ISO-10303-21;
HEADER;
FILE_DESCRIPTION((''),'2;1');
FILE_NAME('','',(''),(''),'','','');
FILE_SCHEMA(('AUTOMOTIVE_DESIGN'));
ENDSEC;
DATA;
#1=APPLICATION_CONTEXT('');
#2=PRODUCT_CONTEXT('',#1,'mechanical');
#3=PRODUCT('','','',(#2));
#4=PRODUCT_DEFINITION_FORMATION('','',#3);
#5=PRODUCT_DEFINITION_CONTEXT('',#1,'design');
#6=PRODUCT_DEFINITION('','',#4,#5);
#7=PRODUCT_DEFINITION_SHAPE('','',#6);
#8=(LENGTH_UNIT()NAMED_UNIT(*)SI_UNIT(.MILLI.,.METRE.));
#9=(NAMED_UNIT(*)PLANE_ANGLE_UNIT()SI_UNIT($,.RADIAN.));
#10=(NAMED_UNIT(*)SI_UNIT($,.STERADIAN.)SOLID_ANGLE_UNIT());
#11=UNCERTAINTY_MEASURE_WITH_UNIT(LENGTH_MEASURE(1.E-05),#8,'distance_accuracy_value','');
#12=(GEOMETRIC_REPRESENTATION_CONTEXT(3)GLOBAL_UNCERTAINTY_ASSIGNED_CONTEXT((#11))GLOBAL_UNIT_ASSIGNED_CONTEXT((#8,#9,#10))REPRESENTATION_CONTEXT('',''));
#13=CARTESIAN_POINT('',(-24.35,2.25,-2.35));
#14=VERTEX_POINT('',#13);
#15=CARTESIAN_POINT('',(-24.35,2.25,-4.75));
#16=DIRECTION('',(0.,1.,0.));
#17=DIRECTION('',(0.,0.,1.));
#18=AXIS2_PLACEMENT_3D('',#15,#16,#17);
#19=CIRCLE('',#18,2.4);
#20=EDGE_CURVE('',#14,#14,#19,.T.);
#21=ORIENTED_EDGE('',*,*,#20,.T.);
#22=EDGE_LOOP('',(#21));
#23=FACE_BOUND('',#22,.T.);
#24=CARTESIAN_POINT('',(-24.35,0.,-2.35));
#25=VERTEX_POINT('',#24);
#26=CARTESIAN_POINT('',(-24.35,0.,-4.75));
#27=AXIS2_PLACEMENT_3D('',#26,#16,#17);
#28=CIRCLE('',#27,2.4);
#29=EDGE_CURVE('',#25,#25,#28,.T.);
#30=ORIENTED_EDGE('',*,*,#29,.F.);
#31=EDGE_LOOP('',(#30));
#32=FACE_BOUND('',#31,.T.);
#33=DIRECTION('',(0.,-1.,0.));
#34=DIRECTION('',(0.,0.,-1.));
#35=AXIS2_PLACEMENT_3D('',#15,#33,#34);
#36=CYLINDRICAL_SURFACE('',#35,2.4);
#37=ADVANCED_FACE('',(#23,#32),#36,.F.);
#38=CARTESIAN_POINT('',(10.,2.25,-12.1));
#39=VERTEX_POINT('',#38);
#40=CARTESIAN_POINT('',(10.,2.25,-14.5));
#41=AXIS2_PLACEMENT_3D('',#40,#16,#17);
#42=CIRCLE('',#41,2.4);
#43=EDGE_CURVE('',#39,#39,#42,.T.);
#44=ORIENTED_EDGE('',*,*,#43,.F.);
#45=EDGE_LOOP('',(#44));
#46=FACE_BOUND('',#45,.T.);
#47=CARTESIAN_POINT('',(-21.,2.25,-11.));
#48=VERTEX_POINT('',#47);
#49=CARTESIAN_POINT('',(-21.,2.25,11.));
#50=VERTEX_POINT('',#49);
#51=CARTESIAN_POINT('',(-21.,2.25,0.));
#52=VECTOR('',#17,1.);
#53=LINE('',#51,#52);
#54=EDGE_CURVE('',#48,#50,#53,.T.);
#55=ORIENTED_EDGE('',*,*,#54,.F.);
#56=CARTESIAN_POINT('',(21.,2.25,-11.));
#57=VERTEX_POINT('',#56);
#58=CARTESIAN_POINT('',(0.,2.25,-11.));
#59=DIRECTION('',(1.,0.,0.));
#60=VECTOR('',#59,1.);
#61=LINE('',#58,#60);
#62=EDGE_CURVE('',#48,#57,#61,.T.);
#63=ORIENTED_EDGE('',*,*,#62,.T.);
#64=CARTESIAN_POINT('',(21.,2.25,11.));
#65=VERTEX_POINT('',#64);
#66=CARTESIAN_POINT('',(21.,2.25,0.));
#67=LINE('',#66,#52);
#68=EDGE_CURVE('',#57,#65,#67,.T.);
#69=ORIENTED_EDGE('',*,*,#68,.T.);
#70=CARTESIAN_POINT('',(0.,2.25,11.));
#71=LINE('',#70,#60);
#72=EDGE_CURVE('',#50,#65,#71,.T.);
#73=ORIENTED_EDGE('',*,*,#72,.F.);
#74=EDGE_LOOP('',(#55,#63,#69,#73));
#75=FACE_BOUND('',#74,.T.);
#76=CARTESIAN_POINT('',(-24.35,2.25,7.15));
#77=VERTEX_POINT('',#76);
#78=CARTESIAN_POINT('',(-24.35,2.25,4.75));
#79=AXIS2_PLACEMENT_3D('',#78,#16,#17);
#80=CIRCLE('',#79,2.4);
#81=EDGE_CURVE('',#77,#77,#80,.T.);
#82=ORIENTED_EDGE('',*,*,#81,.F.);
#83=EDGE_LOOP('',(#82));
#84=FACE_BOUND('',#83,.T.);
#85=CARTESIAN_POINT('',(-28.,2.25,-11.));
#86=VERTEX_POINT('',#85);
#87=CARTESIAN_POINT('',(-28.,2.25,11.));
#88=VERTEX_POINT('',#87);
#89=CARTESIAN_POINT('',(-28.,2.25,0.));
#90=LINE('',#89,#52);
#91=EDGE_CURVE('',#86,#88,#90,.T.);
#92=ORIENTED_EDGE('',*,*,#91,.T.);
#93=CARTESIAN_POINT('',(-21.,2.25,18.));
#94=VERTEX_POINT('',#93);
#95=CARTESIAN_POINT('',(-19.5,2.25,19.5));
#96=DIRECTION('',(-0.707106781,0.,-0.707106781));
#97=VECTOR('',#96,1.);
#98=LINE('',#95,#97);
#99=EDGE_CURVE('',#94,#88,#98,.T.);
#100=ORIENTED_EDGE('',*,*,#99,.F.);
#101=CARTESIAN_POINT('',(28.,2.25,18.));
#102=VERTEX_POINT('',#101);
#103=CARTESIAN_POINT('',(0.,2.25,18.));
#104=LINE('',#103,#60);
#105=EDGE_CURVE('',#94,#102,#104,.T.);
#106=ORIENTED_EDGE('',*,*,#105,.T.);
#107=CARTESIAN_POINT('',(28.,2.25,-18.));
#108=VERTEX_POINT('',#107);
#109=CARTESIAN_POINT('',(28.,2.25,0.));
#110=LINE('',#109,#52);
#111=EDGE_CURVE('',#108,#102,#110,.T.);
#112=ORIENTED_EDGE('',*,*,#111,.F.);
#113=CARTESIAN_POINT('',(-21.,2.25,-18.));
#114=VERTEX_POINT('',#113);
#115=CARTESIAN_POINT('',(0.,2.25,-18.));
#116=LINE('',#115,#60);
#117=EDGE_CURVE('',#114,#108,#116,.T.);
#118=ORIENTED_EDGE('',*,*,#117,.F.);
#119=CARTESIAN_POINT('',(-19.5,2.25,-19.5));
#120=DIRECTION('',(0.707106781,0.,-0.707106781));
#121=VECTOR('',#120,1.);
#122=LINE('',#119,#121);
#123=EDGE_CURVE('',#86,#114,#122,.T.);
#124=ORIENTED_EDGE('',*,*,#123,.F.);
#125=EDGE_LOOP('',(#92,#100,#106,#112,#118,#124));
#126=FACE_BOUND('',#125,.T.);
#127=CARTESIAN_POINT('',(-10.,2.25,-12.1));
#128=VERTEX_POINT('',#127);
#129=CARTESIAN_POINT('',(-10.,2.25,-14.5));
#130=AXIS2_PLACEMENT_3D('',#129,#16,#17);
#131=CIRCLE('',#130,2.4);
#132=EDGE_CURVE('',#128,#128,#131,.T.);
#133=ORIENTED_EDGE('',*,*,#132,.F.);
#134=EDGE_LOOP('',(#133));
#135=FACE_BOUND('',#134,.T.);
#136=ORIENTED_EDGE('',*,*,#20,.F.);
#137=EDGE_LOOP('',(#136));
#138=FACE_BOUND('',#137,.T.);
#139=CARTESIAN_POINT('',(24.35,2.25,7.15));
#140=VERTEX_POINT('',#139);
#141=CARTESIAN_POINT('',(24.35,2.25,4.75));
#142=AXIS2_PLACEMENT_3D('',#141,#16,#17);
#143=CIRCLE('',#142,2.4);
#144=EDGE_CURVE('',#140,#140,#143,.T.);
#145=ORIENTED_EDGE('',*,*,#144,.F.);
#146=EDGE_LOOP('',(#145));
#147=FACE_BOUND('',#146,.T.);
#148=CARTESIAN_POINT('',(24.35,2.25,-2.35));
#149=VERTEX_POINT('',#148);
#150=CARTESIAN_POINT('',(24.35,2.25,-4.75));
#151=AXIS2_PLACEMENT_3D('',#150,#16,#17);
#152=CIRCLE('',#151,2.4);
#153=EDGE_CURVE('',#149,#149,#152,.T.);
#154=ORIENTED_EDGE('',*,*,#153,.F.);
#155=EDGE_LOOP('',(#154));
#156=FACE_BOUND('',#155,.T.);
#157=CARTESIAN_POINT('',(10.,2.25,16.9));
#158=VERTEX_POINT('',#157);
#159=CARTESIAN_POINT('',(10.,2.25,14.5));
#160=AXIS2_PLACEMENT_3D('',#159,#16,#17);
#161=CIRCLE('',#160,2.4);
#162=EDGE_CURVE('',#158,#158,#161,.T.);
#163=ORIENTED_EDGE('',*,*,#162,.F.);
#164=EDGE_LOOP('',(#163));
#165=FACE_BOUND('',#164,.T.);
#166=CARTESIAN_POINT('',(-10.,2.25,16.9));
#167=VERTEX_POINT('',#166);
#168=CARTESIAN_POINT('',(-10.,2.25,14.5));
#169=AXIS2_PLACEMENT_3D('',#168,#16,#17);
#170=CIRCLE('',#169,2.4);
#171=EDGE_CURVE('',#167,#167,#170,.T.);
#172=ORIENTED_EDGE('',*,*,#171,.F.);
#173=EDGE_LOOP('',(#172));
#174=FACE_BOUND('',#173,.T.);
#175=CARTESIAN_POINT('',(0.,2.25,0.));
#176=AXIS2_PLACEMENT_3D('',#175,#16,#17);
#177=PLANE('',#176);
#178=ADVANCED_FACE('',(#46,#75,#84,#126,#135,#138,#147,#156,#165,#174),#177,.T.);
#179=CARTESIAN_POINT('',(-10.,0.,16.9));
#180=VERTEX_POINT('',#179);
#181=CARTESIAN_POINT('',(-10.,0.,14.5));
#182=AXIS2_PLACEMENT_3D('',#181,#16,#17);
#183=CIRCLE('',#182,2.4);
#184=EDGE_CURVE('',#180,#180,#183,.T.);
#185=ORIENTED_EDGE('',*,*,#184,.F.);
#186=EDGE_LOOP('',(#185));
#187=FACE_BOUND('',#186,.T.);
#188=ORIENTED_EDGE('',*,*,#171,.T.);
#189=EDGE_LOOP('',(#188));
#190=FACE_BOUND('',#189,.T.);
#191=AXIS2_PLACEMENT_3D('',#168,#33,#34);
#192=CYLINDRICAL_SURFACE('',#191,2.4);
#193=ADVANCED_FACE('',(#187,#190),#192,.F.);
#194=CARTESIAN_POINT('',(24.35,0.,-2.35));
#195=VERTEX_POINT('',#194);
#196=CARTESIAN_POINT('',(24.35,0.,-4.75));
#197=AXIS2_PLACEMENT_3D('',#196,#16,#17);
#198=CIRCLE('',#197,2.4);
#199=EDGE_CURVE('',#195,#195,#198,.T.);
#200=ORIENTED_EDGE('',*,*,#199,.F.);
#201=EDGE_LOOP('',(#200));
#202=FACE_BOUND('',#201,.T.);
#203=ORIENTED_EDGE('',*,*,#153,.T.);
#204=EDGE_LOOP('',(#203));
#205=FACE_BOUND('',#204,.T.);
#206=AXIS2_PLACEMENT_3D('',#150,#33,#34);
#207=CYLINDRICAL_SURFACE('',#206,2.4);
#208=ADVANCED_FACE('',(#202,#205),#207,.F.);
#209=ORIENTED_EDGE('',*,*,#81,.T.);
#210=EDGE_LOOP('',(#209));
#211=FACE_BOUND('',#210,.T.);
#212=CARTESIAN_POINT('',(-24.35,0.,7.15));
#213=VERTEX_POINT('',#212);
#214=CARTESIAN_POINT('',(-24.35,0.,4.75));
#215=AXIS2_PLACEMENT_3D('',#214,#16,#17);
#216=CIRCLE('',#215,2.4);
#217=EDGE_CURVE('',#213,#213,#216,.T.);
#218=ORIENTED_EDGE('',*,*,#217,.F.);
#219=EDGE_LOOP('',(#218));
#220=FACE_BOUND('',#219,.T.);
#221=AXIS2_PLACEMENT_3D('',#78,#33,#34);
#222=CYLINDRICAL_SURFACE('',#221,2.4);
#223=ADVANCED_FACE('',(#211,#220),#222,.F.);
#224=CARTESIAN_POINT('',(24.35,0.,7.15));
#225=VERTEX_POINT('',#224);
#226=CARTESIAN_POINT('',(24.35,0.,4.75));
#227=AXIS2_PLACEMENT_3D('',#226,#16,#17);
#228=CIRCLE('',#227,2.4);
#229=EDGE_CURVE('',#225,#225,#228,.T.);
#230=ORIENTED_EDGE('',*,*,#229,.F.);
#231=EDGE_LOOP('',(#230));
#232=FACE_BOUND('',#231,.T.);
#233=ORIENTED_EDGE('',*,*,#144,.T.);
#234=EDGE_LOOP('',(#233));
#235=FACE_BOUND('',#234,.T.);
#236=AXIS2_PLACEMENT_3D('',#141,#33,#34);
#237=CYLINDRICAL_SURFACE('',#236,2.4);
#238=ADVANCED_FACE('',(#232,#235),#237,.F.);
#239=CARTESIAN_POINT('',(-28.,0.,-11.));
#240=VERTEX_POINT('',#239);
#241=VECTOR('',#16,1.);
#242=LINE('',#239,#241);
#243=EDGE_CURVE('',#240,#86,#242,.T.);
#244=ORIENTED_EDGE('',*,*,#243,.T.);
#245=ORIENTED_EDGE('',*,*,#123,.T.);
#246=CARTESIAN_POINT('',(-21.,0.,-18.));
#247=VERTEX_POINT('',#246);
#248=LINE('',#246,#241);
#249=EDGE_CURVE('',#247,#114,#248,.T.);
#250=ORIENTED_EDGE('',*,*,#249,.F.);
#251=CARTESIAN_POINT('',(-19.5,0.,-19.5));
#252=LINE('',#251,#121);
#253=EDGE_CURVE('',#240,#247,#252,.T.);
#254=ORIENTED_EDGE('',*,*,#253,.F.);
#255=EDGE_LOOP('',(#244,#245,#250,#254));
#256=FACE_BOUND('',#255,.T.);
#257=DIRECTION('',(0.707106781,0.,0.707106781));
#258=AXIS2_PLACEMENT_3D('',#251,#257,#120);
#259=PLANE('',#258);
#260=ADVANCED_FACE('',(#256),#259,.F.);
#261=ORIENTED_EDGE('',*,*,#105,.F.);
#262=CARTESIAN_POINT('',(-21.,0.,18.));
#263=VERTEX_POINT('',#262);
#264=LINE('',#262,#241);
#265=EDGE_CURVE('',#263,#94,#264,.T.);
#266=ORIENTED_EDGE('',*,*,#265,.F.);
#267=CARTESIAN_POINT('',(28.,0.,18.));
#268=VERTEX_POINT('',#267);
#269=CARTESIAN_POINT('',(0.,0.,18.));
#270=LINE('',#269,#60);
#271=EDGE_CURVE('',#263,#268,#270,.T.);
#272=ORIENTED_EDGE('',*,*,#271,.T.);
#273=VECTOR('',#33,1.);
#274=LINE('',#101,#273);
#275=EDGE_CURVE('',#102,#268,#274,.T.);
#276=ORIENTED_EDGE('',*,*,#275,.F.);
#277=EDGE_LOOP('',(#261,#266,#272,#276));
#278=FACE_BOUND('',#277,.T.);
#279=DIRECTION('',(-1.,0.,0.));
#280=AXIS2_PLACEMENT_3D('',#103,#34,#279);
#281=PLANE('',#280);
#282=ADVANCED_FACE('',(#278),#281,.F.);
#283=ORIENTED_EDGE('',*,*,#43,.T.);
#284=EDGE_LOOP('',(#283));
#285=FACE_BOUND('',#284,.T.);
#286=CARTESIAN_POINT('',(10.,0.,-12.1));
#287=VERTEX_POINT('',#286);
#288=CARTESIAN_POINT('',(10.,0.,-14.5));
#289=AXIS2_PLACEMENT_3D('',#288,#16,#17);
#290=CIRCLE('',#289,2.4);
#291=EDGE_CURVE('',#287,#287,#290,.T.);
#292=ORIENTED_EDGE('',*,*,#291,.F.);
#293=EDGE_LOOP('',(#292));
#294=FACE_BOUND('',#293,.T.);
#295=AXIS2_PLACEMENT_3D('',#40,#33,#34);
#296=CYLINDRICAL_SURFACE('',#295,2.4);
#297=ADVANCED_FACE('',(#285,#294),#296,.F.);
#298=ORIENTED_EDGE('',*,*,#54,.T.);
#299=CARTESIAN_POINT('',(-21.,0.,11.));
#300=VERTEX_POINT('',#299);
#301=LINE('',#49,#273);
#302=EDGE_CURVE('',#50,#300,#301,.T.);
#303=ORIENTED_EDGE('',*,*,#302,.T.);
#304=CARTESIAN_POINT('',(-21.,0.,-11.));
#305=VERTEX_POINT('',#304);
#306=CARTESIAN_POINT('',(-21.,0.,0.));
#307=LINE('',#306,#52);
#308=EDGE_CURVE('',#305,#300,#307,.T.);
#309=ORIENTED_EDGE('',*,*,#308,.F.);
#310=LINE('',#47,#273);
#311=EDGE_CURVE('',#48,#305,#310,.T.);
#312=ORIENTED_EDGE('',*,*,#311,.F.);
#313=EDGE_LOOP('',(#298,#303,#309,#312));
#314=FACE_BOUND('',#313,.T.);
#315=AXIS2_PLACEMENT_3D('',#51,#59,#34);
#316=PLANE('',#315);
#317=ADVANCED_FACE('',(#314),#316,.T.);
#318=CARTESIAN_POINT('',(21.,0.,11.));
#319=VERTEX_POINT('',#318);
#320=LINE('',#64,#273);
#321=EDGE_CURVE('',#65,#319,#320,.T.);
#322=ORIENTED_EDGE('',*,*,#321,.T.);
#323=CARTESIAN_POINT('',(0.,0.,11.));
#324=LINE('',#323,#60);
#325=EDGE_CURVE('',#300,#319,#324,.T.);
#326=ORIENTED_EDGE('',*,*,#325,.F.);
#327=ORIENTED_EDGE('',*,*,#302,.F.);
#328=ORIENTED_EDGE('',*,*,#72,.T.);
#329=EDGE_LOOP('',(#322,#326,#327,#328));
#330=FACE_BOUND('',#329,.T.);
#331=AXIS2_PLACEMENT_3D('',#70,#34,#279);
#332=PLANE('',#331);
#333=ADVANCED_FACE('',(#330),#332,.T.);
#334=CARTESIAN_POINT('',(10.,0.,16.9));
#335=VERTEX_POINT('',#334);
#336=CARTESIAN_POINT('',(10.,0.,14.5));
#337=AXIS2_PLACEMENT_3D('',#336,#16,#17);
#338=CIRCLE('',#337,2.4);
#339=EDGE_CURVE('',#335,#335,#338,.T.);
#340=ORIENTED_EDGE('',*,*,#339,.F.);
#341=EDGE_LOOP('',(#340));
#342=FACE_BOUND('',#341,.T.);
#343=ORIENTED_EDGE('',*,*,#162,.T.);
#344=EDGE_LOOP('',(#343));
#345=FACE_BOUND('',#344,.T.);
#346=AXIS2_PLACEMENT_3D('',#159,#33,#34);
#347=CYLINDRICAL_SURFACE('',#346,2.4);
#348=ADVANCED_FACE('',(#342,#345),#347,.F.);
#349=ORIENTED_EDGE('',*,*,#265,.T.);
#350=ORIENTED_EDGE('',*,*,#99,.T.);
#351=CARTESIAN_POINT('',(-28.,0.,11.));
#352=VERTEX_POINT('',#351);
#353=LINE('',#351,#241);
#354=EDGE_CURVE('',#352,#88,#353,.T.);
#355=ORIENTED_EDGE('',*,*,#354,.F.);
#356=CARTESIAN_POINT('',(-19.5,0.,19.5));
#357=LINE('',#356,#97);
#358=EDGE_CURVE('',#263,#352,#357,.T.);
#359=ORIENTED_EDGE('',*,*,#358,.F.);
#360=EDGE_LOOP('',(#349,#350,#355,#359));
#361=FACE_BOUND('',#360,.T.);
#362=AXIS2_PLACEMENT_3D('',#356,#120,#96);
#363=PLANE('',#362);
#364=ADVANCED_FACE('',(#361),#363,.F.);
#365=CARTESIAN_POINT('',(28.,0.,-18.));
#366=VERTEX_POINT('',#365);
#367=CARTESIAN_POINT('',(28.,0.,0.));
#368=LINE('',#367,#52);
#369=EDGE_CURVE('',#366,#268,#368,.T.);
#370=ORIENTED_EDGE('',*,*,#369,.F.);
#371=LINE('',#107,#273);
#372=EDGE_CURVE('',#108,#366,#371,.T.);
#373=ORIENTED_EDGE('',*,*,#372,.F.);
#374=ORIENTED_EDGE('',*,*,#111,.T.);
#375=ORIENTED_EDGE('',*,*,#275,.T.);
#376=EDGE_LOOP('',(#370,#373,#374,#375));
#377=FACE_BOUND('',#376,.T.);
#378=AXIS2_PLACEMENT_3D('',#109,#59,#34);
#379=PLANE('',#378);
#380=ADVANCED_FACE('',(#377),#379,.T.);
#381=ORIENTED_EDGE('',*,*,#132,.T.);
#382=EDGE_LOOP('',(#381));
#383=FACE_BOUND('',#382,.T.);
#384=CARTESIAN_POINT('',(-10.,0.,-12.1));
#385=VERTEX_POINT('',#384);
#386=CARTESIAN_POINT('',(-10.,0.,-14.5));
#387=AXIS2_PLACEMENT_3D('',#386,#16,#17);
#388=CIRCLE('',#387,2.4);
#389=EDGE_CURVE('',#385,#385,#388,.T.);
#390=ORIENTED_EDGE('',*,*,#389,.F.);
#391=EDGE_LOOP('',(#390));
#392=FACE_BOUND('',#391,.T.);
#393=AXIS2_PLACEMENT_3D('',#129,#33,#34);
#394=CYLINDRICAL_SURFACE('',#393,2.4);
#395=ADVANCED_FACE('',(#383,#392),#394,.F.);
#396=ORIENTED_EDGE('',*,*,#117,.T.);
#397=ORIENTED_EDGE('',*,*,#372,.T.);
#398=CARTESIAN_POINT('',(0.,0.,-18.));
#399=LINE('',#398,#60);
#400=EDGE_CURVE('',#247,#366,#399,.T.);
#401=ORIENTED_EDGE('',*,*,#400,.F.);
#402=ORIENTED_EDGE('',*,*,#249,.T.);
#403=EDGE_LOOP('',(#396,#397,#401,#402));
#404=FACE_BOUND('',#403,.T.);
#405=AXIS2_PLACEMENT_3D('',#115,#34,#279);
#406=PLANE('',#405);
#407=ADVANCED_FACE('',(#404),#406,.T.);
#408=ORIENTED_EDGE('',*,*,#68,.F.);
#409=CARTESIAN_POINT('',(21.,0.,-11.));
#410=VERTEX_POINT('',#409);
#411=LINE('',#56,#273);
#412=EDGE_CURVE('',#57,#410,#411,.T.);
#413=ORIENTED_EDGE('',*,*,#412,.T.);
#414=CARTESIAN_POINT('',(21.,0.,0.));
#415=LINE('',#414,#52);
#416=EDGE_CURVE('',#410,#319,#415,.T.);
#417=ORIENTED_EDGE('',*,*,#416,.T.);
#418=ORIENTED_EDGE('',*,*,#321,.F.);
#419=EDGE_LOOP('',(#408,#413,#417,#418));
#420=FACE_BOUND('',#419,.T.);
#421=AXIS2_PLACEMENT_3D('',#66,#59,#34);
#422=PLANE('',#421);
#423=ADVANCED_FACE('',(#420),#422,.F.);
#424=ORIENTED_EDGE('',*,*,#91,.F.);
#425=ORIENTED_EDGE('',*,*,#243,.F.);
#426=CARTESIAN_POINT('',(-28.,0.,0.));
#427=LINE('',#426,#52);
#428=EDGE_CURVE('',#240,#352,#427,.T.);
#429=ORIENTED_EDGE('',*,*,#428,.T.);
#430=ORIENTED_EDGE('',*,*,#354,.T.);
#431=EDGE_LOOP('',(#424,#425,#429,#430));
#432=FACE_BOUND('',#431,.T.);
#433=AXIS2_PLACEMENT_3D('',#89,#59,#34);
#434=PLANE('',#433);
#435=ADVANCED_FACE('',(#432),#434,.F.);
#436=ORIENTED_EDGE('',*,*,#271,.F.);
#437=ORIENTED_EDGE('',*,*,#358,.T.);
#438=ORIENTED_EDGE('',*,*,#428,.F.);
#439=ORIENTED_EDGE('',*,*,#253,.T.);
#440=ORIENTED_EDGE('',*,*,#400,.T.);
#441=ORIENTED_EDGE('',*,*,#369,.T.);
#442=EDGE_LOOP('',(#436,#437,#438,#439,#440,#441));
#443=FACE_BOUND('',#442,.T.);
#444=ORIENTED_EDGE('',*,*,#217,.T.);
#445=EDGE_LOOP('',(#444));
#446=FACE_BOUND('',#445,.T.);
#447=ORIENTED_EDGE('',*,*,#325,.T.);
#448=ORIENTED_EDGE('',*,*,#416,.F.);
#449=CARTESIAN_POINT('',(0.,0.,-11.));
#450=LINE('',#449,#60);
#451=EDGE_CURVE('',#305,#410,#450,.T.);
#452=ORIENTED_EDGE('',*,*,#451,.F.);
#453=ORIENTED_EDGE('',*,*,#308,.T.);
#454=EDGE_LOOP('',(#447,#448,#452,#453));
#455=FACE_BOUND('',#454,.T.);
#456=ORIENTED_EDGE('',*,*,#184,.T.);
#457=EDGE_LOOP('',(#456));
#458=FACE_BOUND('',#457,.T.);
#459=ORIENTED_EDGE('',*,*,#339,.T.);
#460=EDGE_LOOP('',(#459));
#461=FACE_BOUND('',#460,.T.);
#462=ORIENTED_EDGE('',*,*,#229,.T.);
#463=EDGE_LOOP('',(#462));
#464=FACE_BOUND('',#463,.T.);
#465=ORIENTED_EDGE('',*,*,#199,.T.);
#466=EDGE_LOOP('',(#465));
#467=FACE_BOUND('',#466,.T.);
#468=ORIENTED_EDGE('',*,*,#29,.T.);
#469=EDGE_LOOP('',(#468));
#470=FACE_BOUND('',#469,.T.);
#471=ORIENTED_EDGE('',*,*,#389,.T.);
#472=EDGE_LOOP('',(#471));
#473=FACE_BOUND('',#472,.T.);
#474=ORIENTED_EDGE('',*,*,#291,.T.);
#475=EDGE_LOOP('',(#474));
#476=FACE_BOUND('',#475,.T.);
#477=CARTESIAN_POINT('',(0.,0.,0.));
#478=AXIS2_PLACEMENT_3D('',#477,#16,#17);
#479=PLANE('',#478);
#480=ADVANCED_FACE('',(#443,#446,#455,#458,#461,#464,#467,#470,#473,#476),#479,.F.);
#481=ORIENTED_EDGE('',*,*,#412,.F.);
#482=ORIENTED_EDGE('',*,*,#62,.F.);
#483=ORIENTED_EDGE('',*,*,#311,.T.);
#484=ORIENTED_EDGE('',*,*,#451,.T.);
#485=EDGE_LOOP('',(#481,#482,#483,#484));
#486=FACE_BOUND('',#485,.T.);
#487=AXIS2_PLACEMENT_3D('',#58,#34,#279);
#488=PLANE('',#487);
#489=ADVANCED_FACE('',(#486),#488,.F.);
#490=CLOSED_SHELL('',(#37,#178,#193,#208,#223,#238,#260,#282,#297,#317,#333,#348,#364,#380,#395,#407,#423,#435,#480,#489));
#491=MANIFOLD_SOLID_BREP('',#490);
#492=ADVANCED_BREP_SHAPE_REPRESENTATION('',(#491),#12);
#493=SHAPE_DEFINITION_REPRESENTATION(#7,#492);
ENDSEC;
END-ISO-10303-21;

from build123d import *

# Parameters (mm, degrees)
SKETCH1_W           = 56
SKETCH1_H           = 36
SKETCH1_R           = 2.4
SKETCH1_W_2         = 42
SKETCH1_H_2         = 22
BOSS_EXTRUDE1_DEPTH = 2.25
CUT_EXTRUDE1_DEPTH  = 2.25


with BuildPart() as part:
    # Sketch1 → Boss-Extrude1 (new body)
    with BuildSketch(Plane(origin=(0, 0, 0), x_dir=(1, 0, 0), z_dir=(0, 1, 0))):
        Rectangle(SKETCH1_W, SKETCH1_H)
        with Locations(Location((24.35, -4.75, 0), (0, 0, 270))):
            Circle(SKETCH1_R, mode=Mode.SUBTRACT)
        with Locations(Location((24.35, 4.75, 0), (0, 0, 270))):
            Circle(SKETCH1_R, mode=Mode.SUBTRACT)
        with Locations(Location((-24.35, -4.75, 0), (0, 0, 270))):
            Circle(SKETCH1_R, mode=Mode.SUBTRACT)
        with Locations(Location((-24.35, 4.75, 0), (0, 0, 270))):
            Circle(SKETCH1_R, mode=Mode.SUBTRACT)
        with Locations(Location((10, 14.5, 0), (0, 0, 270))):
            Circle(SKETCH1_R, mode=Mode.SUBTRACT)
        with Locations(Location((10, -14.5, 0), (0, 0, 270))):
            Circle(SKETCH1_R, mode=Mode.SUBTRACT)
        with Locations(Location((-10, -14.5, 0), (0, 0, 270))):
            Circle(SKETCH1_R, mode=Mode.SUBTRACT)
        with Locations(Location((-10, 14.5, 0), (0, 0, 270))):
            Circle(SKETCH1_R, mode=Mode.SUBTRACT)
        Rectangle(SKETCH1_W_2, SKETCH1_H_2, mode=Mode.SUBTRACT)
    extrude(amount=BOSS_EXTRUDE1_DEPTH)

    # Sketch2 → Cut-Extrude1 (cut)
    with BuildSketch(Plane(origin=(0, 2.25, 0), x_dir=(1, 0, 0), z_dir=(0, 1, 0))):
        Polygon((-28, 11), (-21, 18), (-28, 18), align=None)
        Polygon((-21, -18), (-28, -11), (-28, -18), align=None)
    extrude(amount=-CUT_EXTRUDE1_DEPTH, mode=Mode.SUBTRACT)


solid = part.part
